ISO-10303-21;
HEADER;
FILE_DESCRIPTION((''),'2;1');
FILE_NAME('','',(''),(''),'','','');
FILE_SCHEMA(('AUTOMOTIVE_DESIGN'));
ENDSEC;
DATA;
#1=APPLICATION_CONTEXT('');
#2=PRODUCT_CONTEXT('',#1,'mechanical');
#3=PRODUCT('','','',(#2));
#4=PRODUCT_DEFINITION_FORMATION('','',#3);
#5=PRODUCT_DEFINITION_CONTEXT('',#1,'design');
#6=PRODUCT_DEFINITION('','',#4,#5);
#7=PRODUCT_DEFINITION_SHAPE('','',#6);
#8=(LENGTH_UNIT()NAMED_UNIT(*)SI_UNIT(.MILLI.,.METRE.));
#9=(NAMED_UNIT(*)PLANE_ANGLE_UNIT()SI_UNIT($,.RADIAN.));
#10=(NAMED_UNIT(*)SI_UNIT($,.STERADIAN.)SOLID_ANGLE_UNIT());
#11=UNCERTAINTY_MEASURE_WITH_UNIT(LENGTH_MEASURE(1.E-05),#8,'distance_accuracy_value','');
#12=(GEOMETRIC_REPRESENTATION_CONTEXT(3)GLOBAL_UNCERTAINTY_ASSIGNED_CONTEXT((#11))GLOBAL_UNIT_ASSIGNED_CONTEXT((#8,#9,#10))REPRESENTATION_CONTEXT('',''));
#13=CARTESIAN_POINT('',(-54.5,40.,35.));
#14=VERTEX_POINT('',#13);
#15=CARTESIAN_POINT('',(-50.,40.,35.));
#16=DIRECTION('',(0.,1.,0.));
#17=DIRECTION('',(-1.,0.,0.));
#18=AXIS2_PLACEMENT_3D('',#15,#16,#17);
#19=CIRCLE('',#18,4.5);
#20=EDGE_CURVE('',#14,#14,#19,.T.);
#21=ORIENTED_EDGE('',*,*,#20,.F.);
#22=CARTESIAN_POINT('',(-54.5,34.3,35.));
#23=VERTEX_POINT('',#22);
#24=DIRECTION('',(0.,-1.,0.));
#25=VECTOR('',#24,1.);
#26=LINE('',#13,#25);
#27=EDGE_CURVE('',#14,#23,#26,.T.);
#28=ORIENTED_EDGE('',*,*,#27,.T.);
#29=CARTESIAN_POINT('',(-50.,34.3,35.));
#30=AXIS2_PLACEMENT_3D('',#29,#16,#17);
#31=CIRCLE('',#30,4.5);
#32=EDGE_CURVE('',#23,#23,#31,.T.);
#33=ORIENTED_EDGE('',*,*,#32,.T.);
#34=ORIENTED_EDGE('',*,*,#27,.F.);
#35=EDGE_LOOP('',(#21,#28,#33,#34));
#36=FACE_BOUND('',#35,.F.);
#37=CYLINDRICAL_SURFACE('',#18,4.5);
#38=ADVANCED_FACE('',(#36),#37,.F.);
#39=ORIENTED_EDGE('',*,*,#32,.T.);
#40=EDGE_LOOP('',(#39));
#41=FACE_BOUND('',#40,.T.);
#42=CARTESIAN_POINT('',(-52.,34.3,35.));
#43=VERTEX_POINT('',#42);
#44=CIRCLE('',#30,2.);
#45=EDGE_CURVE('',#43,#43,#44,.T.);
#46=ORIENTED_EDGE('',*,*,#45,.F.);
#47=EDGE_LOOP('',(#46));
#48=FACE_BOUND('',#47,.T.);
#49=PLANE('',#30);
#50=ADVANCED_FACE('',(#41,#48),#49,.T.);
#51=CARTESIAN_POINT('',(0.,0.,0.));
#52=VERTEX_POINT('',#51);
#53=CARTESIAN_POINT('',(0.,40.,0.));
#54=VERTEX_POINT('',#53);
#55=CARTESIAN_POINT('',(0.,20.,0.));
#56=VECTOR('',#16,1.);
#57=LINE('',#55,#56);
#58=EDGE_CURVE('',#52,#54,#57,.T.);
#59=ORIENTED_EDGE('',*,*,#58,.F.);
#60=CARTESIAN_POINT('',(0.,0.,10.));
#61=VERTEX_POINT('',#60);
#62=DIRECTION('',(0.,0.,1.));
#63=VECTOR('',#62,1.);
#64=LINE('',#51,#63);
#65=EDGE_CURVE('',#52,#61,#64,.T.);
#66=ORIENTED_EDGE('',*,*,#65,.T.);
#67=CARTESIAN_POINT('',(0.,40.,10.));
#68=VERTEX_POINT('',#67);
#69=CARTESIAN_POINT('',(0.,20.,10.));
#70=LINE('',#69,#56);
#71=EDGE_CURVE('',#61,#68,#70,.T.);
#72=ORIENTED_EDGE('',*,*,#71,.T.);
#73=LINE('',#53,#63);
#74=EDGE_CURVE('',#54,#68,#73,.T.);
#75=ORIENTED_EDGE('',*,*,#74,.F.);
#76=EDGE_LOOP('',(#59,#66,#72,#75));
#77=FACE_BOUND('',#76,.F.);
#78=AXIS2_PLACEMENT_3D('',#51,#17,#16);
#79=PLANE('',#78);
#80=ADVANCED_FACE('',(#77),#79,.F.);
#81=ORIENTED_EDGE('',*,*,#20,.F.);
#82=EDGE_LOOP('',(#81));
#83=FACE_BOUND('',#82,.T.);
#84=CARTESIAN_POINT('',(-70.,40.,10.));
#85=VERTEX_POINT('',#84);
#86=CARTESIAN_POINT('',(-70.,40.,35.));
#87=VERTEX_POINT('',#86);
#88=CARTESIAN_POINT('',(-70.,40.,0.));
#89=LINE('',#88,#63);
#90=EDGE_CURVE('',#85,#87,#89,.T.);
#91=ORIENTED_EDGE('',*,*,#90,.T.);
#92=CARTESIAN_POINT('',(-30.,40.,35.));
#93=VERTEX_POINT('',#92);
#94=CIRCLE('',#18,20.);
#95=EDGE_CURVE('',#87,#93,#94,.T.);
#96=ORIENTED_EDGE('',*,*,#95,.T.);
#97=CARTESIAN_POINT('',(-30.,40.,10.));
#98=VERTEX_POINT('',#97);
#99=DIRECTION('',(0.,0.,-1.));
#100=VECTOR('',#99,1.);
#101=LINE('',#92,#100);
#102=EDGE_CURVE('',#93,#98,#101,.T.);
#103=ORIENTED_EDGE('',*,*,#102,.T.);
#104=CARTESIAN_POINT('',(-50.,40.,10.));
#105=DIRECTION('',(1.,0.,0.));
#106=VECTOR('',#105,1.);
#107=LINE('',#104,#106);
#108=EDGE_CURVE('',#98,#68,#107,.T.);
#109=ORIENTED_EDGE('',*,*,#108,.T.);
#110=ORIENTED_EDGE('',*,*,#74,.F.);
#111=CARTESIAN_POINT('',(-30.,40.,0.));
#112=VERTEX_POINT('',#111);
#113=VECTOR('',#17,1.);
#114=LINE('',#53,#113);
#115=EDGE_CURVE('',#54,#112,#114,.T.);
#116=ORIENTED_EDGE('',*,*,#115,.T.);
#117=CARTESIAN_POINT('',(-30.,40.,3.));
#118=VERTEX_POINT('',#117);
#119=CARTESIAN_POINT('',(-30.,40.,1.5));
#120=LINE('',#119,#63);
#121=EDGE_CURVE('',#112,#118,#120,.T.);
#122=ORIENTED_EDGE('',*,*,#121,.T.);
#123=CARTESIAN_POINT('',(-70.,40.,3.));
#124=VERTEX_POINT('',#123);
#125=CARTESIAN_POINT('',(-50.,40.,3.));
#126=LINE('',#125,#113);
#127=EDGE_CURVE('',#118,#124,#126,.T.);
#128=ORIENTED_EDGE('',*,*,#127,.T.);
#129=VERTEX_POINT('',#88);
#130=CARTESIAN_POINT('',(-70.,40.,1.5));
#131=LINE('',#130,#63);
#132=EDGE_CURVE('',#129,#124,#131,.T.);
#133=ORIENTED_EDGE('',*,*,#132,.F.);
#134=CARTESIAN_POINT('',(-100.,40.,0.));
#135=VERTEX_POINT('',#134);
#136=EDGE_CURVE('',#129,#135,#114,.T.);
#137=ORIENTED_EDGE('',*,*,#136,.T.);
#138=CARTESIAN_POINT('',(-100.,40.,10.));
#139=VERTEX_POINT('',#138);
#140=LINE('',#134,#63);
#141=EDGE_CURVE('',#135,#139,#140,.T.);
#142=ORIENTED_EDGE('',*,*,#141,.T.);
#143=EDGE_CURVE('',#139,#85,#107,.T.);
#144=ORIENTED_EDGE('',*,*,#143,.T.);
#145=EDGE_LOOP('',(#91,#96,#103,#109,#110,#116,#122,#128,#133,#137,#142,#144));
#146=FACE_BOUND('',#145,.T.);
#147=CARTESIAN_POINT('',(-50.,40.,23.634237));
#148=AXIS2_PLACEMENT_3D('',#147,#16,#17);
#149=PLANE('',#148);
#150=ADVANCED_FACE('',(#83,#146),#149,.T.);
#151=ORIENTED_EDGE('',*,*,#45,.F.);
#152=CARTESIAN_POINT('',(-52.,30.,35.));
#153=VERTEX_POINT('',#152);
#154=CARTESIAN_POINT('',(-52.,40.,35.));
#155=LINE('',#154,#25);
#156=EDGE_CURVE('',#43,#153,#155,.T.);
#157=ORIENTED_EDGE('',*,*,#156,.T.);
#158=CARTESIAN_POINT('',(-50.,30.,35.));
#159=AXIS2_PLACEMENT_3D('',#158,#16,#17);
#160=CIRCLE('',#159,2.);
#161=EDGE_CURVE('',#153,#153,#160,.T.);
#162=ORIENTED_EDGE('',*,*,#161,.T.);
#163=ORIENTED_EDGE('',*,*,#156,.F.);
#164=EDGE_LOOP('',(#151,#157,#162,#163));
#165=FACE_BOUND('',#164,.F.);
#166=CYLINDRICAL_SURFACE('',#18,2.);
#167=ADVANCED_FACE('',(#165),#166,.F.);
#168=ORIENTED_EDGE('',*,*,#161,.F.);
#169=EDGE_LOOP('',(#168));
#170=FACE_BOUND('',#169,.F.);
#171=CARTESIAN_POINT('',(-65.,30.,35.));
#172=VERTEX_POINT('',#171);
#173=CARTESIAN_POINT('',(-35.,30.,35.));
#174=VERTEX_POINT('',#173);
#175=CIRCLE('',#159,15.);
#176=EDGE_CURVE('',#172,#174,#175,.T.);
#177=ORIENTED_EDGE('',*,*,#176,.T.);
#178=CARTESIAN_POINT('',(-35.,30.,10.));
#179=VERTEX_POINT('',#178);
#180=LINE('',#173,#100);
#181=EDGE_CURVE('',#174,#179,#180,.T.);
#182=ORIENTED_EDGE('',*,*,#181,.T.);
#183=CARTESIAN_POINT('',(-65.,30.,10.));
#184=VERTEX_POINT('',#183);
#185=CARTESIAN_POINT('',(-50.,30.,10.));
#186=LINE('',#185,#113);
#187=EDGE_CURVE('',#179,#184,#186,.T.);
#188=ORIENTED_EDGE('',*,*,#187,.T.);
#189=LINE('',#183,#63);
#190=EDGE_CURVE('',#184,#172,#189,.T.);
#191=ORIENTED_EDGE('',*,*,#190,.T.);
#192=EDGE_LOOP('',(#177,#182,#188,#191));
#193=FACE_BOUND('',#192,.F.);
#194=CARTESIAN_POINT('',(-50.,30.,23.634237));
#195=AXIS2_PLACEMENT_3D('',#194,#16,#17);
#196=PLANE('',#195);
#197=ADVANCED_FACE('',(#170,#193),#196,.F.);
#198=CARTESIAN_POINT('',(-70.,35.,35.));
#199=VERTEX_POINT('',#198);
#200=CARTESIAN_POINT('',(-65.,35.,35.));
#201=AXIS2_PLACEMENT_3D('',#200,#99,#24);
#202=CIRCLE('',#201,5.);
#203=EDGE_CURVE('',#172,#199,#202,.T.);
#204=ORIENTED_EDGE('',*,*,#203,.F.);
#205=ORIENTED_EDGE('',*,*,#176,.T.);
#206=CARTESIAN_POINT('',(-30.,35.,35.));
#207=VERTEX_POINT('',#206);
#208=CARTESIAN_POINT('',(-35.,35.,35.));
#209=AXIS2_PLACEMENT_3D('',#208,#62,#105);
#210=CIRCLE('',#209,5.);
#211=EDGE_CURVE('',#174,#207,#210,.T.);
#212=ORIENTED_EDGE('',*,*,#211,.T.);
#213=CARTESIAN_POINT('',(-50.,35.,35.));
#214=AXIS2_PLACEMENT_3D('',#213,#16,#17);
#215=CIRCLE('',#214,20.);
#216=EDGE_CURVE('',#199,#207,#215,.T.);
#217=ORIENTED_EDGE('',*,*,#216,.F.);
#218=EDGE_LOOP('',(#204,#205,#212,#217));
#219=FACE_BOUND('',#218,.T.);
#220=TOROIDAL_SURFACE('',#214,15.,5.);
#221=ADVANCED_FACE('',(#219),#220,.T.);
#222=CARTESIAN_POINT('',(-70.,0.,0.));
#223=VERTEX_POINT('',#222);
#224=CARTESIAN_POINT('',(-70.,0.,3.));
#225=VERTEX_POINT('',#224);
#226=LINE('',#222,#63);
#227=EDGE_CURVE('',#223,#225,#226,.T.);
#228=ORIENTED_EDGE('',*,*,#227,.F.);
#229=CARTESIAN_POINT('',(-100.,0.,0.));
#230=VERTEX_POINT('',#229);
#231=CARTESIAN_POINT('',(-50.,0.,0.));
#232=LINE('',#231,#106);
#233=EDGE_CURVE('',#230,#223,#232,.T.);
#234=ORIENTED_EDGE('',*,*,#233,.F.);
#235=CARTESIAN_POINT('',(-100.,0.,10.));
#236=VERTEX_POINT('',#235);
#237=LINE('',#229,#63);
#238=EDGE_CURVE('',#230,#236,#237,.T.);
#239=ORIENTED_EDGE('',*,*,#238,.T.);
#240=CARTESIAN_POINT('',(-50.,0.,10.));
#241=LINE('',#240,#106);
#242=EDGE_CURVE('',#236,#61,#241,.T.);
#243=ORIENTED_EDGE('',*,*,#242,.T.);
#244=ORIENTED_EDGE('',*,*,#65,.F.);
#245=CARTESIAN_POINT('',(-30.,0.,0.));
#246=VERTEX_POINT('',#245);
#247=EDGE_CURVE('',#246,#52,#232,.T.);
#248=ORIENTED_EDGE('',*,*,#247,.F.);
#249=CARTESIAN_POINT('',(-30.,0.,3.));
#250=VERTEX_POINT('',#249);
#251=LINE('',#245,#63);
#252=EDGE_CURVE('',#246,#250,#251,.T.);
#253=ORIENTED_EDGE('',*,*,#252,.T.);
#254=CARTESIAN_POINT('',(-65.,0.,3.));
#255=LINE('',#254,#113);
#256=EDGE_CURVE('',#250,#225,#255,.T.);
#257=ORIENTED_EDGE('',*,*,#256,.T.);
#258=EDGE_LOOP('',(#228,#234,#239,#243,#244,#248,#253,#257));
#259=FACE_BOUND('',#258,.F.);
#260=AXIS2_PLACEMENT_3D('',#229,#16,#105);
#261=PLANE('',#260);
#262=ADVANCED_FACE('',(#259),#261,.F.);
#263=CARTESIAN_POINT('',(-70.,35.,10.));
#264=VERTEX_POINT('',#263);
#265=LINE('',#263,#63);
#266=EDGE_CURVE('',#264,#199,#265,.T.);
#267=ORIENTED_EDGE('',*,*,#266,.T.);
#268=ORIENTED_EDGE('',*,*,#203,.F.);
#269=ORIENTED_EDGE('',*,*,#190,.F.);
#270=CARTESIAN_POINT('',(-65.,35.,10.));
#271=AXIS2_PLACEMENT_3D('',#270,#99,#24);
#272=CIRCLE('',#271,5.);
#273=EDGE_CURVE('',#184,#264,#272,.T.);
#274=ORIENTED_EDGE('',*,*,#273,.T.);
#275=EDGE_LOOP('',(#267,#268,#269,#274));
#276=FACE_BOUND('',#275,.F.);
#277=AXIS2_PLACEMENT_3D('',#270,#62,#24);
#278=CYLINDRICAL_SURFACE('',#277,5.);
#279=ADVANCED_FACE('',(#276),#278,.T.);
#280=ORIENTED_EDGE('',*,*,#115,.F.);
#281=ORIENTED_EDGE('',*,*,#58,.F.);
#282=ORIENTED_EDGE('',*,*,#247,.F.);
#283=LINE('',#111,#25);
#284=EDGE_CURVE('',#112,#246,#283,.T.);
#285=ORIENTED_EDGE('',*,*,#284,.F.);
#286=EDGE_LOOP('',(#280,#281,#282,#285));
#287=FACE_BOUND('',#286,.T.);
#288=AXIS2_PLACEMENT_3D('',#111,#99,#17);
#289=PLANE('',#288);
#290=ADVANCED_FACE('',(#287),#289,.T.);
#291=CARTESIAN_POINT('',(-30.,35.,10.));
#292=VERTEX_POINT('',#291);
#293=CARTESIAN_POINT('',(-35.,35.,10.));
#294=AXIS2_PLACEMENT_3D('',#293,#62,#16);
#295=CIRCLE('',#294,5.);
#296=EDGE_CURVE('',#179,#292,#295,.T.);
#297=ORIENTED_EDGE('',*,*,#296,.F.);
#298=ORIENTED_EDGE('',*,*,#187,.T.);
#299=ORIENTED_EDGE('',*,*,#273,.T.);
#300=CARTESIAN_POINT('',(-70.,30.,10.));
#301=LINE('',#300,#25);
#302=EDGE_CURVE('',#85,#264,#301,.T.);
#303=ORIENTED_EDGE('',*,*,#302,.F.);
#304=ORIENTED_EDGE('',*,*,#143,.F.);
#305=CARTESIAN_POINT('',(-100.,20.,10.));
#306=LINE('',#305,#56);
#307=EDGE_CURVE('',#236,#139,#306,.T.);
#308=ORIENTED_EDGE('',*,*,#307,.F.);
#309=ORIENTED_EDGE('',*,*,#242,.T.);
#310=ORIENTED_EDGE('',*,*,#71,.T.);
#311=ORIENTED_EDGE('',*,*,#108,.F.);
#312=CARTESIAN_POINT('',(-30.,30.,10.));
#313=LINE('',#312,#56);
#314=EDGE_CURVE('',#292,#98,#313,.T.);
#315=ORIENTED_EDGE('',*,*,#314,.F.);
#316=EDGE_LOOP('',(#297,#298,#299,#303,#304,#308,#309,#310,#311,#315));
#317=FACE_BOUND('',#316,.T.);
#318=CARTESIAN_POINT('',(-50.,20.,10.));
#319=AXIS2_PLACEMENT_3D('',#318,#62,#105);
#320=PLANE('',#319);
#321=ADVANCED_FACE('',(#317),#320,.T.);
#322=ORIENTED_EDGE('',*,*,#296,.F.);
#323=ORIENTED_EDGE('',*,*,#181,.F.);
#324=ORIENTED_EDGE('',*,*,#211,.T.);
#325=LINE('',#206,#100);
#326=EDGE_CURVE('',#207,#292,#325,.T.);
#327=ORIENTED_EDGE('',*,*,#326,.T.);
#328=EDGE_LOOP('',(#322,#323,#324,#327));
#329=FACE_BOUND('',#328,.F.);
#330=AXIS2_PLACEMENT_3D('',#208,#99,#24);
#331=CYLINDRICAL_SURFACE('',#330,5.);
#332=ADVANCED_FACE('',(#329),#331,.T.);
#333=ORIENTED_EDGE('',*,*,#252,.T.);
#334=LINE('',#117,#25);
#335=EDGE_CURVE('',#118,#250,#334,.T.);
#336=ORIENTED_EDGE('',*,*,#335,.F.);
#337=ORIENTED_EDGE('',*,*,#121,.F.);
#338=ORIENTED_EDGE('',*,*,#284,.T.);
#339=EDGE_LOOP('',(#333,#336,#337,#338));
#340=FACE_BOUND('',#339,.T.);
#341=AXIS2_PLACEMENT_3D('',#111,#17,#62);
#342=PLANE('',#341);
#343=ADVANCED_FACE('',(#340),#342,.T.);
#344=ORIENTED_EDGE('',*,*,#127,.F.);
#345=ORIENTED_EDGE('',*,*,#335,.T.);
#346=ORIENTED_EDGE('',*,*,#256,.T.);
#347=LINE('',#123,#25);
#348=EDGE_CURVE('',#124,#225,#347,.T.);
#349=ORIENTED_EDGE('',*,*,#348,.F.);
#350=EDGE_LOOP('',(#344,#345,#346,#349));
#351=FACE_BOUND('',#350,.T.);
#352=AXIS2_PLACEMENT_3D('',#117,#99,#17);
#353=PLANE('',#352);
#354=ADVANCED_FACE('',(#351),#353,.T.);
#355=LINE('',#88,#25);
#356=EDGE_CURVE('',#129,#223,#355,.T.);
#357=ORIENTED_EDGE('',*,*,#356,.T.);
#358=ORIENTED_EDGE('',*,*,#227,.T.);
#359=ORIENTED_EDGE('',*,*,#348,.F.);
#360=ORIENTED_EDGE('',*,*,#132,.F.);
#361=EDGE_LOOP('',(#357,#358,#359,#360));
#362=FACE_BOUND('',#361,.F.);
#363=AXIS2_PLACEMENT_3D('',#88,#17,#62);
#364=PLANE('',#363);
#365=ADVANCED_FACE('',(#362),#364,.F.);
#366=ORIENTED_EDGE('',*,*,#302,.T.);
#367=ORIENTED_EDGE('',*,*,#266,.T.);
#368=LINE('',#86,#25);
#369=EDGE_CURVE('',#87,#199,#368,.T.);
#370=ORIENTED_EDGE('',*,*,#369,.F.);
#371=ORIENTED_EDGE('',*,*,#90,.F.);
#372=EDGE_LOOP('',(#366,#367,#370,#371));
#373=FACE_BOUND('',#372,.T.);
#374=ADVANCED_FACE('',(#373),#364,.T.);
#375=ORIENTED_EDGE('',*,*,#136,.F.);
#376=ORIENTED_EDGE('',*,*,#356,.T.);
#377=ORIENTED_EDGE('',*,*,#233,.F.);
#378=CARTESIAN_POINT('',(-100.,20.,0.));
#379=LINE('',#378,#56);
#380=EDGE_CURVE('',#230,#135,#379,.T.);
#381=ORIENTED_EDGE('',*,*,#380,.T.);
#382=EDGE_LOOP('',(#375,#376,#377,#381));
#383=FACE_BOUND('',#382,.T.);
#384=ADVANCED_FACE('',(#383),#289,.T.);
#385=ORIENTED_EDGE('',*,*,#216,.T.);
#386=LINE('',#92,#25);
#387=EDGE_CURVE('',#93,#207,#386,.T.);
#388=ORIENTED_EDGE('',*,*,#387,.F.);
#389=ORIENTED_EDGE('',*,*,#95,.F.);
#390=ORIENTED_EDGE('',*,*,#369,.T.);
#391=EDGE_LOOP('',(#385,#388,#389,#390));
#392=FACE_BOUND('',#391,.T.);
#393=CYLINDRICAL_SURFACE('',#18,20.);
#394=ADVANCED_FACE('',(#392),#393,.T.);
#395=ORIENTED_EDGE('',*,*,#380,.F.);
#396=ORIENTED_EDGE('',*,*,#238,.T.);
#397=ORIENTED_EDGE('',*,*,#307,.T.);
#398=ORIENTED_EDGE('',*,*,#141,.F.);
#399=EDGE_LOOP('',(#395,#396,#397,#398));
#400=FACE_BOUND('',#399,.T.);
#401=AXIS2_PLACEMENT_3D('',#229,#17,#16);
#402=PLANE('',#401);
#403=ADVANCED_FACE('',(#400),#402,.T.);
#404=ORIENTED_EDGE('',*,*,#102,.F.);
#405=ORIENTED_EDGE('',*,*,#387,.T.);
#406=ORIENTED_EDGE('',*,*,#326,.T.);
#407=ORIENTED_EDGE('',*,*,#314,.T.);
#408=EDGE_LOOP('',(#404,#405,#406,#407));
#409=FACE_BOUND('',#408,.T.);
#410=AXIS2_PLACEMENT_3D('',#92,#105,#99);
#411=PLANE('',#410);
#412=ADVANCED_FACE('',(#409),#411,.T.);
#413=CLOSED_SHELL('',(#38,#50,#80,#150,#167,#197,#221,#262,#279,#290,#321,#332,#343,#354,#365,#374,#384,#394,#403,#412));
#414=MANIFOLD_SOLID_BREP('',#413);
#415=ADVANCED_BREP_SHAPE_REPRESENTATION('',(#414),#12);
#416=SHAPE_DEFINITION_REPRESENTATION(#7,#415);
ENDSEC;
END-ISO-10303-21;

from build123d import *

# Parameters (mm, degrees)
F0_W     = 100
F0_H     = 40
F1_DEPTH = 10
F3_DEPTH = 10
F4_R     = 2
F5_DEPTH = 25
F6_R     = 4.5
F7_DEPTH = 5.7
F8_W     = 40
F8_H     = 3
F9_DEPTH = 40.001
F10_R    = 5


with BuildPart() as f1:
    # F0 (on Top) → F1 (new body)
    with BuildSketch(Plane.XY):
        with Locations((-50, 20)):
            Rectangle(F0_W, F0_H)
    extrude(amount=F1_DEPTH)

    # F2 (on face) → F3 (join)
    with BuildSketch(Plane(origin=(0, 40, 0), x_dir=(-1, 0, 0), z_dir=(0, 1, 0))):
        with BuildLine():
            Line((30, 35), (30, 0))
            Line((30, 0), (70, 0))
            Line((70, 0), (70, 35))
            ThreePointArc((70, 35), (50, 55), (30, 35))
        make_face()
    extrude(amount=-F3_DEPTH)

    # F4 (on face) → F5 (cut)
    with BuildSketch(Plane(origin=(0, 40, 0), x_dir=(-1, 0, 0), z_dir=(0, 1, 0))):
        with Locations((50, 35)):
            Circle(F4_R)
    extrude(amount=-F5_DEPTH, mode=Mode.SUBTRACT)

    # F6 (on face) → F7 (cut)
    with BuildSketch(Plane(origin=(0, 40, 0), x_dir=(-1, 0, 0), z_dir=(0, 1, 0))):
        with Locations((50, 35)):
            Circle(F6_R)
    extrude(amount=-F7_DEPTH, mode=Mode.SUBTRACT)

    # F8 (on face) → F9 (cut, through all)
    with BuildSketch(Plane(origin=(0, 40, 0), x_dir=(-1, 0, 0), z_dir=(0, 1, 0))):
        with Locations((50, 1.5)):
            Rectangle(F8_W, F8_H)
    extrude(amount=-F9_DEPTH, mode=Mode.SUBTRACT)

    # F10
    f10_edges = [f1.edges().sort_by_distance(p)[0] for p in [
        (-70, 30, 22.5),
        (-30, 30, 22.5),
    ]]
    fillet(f10_edges, radius=F10_R)


solid = f1.part
